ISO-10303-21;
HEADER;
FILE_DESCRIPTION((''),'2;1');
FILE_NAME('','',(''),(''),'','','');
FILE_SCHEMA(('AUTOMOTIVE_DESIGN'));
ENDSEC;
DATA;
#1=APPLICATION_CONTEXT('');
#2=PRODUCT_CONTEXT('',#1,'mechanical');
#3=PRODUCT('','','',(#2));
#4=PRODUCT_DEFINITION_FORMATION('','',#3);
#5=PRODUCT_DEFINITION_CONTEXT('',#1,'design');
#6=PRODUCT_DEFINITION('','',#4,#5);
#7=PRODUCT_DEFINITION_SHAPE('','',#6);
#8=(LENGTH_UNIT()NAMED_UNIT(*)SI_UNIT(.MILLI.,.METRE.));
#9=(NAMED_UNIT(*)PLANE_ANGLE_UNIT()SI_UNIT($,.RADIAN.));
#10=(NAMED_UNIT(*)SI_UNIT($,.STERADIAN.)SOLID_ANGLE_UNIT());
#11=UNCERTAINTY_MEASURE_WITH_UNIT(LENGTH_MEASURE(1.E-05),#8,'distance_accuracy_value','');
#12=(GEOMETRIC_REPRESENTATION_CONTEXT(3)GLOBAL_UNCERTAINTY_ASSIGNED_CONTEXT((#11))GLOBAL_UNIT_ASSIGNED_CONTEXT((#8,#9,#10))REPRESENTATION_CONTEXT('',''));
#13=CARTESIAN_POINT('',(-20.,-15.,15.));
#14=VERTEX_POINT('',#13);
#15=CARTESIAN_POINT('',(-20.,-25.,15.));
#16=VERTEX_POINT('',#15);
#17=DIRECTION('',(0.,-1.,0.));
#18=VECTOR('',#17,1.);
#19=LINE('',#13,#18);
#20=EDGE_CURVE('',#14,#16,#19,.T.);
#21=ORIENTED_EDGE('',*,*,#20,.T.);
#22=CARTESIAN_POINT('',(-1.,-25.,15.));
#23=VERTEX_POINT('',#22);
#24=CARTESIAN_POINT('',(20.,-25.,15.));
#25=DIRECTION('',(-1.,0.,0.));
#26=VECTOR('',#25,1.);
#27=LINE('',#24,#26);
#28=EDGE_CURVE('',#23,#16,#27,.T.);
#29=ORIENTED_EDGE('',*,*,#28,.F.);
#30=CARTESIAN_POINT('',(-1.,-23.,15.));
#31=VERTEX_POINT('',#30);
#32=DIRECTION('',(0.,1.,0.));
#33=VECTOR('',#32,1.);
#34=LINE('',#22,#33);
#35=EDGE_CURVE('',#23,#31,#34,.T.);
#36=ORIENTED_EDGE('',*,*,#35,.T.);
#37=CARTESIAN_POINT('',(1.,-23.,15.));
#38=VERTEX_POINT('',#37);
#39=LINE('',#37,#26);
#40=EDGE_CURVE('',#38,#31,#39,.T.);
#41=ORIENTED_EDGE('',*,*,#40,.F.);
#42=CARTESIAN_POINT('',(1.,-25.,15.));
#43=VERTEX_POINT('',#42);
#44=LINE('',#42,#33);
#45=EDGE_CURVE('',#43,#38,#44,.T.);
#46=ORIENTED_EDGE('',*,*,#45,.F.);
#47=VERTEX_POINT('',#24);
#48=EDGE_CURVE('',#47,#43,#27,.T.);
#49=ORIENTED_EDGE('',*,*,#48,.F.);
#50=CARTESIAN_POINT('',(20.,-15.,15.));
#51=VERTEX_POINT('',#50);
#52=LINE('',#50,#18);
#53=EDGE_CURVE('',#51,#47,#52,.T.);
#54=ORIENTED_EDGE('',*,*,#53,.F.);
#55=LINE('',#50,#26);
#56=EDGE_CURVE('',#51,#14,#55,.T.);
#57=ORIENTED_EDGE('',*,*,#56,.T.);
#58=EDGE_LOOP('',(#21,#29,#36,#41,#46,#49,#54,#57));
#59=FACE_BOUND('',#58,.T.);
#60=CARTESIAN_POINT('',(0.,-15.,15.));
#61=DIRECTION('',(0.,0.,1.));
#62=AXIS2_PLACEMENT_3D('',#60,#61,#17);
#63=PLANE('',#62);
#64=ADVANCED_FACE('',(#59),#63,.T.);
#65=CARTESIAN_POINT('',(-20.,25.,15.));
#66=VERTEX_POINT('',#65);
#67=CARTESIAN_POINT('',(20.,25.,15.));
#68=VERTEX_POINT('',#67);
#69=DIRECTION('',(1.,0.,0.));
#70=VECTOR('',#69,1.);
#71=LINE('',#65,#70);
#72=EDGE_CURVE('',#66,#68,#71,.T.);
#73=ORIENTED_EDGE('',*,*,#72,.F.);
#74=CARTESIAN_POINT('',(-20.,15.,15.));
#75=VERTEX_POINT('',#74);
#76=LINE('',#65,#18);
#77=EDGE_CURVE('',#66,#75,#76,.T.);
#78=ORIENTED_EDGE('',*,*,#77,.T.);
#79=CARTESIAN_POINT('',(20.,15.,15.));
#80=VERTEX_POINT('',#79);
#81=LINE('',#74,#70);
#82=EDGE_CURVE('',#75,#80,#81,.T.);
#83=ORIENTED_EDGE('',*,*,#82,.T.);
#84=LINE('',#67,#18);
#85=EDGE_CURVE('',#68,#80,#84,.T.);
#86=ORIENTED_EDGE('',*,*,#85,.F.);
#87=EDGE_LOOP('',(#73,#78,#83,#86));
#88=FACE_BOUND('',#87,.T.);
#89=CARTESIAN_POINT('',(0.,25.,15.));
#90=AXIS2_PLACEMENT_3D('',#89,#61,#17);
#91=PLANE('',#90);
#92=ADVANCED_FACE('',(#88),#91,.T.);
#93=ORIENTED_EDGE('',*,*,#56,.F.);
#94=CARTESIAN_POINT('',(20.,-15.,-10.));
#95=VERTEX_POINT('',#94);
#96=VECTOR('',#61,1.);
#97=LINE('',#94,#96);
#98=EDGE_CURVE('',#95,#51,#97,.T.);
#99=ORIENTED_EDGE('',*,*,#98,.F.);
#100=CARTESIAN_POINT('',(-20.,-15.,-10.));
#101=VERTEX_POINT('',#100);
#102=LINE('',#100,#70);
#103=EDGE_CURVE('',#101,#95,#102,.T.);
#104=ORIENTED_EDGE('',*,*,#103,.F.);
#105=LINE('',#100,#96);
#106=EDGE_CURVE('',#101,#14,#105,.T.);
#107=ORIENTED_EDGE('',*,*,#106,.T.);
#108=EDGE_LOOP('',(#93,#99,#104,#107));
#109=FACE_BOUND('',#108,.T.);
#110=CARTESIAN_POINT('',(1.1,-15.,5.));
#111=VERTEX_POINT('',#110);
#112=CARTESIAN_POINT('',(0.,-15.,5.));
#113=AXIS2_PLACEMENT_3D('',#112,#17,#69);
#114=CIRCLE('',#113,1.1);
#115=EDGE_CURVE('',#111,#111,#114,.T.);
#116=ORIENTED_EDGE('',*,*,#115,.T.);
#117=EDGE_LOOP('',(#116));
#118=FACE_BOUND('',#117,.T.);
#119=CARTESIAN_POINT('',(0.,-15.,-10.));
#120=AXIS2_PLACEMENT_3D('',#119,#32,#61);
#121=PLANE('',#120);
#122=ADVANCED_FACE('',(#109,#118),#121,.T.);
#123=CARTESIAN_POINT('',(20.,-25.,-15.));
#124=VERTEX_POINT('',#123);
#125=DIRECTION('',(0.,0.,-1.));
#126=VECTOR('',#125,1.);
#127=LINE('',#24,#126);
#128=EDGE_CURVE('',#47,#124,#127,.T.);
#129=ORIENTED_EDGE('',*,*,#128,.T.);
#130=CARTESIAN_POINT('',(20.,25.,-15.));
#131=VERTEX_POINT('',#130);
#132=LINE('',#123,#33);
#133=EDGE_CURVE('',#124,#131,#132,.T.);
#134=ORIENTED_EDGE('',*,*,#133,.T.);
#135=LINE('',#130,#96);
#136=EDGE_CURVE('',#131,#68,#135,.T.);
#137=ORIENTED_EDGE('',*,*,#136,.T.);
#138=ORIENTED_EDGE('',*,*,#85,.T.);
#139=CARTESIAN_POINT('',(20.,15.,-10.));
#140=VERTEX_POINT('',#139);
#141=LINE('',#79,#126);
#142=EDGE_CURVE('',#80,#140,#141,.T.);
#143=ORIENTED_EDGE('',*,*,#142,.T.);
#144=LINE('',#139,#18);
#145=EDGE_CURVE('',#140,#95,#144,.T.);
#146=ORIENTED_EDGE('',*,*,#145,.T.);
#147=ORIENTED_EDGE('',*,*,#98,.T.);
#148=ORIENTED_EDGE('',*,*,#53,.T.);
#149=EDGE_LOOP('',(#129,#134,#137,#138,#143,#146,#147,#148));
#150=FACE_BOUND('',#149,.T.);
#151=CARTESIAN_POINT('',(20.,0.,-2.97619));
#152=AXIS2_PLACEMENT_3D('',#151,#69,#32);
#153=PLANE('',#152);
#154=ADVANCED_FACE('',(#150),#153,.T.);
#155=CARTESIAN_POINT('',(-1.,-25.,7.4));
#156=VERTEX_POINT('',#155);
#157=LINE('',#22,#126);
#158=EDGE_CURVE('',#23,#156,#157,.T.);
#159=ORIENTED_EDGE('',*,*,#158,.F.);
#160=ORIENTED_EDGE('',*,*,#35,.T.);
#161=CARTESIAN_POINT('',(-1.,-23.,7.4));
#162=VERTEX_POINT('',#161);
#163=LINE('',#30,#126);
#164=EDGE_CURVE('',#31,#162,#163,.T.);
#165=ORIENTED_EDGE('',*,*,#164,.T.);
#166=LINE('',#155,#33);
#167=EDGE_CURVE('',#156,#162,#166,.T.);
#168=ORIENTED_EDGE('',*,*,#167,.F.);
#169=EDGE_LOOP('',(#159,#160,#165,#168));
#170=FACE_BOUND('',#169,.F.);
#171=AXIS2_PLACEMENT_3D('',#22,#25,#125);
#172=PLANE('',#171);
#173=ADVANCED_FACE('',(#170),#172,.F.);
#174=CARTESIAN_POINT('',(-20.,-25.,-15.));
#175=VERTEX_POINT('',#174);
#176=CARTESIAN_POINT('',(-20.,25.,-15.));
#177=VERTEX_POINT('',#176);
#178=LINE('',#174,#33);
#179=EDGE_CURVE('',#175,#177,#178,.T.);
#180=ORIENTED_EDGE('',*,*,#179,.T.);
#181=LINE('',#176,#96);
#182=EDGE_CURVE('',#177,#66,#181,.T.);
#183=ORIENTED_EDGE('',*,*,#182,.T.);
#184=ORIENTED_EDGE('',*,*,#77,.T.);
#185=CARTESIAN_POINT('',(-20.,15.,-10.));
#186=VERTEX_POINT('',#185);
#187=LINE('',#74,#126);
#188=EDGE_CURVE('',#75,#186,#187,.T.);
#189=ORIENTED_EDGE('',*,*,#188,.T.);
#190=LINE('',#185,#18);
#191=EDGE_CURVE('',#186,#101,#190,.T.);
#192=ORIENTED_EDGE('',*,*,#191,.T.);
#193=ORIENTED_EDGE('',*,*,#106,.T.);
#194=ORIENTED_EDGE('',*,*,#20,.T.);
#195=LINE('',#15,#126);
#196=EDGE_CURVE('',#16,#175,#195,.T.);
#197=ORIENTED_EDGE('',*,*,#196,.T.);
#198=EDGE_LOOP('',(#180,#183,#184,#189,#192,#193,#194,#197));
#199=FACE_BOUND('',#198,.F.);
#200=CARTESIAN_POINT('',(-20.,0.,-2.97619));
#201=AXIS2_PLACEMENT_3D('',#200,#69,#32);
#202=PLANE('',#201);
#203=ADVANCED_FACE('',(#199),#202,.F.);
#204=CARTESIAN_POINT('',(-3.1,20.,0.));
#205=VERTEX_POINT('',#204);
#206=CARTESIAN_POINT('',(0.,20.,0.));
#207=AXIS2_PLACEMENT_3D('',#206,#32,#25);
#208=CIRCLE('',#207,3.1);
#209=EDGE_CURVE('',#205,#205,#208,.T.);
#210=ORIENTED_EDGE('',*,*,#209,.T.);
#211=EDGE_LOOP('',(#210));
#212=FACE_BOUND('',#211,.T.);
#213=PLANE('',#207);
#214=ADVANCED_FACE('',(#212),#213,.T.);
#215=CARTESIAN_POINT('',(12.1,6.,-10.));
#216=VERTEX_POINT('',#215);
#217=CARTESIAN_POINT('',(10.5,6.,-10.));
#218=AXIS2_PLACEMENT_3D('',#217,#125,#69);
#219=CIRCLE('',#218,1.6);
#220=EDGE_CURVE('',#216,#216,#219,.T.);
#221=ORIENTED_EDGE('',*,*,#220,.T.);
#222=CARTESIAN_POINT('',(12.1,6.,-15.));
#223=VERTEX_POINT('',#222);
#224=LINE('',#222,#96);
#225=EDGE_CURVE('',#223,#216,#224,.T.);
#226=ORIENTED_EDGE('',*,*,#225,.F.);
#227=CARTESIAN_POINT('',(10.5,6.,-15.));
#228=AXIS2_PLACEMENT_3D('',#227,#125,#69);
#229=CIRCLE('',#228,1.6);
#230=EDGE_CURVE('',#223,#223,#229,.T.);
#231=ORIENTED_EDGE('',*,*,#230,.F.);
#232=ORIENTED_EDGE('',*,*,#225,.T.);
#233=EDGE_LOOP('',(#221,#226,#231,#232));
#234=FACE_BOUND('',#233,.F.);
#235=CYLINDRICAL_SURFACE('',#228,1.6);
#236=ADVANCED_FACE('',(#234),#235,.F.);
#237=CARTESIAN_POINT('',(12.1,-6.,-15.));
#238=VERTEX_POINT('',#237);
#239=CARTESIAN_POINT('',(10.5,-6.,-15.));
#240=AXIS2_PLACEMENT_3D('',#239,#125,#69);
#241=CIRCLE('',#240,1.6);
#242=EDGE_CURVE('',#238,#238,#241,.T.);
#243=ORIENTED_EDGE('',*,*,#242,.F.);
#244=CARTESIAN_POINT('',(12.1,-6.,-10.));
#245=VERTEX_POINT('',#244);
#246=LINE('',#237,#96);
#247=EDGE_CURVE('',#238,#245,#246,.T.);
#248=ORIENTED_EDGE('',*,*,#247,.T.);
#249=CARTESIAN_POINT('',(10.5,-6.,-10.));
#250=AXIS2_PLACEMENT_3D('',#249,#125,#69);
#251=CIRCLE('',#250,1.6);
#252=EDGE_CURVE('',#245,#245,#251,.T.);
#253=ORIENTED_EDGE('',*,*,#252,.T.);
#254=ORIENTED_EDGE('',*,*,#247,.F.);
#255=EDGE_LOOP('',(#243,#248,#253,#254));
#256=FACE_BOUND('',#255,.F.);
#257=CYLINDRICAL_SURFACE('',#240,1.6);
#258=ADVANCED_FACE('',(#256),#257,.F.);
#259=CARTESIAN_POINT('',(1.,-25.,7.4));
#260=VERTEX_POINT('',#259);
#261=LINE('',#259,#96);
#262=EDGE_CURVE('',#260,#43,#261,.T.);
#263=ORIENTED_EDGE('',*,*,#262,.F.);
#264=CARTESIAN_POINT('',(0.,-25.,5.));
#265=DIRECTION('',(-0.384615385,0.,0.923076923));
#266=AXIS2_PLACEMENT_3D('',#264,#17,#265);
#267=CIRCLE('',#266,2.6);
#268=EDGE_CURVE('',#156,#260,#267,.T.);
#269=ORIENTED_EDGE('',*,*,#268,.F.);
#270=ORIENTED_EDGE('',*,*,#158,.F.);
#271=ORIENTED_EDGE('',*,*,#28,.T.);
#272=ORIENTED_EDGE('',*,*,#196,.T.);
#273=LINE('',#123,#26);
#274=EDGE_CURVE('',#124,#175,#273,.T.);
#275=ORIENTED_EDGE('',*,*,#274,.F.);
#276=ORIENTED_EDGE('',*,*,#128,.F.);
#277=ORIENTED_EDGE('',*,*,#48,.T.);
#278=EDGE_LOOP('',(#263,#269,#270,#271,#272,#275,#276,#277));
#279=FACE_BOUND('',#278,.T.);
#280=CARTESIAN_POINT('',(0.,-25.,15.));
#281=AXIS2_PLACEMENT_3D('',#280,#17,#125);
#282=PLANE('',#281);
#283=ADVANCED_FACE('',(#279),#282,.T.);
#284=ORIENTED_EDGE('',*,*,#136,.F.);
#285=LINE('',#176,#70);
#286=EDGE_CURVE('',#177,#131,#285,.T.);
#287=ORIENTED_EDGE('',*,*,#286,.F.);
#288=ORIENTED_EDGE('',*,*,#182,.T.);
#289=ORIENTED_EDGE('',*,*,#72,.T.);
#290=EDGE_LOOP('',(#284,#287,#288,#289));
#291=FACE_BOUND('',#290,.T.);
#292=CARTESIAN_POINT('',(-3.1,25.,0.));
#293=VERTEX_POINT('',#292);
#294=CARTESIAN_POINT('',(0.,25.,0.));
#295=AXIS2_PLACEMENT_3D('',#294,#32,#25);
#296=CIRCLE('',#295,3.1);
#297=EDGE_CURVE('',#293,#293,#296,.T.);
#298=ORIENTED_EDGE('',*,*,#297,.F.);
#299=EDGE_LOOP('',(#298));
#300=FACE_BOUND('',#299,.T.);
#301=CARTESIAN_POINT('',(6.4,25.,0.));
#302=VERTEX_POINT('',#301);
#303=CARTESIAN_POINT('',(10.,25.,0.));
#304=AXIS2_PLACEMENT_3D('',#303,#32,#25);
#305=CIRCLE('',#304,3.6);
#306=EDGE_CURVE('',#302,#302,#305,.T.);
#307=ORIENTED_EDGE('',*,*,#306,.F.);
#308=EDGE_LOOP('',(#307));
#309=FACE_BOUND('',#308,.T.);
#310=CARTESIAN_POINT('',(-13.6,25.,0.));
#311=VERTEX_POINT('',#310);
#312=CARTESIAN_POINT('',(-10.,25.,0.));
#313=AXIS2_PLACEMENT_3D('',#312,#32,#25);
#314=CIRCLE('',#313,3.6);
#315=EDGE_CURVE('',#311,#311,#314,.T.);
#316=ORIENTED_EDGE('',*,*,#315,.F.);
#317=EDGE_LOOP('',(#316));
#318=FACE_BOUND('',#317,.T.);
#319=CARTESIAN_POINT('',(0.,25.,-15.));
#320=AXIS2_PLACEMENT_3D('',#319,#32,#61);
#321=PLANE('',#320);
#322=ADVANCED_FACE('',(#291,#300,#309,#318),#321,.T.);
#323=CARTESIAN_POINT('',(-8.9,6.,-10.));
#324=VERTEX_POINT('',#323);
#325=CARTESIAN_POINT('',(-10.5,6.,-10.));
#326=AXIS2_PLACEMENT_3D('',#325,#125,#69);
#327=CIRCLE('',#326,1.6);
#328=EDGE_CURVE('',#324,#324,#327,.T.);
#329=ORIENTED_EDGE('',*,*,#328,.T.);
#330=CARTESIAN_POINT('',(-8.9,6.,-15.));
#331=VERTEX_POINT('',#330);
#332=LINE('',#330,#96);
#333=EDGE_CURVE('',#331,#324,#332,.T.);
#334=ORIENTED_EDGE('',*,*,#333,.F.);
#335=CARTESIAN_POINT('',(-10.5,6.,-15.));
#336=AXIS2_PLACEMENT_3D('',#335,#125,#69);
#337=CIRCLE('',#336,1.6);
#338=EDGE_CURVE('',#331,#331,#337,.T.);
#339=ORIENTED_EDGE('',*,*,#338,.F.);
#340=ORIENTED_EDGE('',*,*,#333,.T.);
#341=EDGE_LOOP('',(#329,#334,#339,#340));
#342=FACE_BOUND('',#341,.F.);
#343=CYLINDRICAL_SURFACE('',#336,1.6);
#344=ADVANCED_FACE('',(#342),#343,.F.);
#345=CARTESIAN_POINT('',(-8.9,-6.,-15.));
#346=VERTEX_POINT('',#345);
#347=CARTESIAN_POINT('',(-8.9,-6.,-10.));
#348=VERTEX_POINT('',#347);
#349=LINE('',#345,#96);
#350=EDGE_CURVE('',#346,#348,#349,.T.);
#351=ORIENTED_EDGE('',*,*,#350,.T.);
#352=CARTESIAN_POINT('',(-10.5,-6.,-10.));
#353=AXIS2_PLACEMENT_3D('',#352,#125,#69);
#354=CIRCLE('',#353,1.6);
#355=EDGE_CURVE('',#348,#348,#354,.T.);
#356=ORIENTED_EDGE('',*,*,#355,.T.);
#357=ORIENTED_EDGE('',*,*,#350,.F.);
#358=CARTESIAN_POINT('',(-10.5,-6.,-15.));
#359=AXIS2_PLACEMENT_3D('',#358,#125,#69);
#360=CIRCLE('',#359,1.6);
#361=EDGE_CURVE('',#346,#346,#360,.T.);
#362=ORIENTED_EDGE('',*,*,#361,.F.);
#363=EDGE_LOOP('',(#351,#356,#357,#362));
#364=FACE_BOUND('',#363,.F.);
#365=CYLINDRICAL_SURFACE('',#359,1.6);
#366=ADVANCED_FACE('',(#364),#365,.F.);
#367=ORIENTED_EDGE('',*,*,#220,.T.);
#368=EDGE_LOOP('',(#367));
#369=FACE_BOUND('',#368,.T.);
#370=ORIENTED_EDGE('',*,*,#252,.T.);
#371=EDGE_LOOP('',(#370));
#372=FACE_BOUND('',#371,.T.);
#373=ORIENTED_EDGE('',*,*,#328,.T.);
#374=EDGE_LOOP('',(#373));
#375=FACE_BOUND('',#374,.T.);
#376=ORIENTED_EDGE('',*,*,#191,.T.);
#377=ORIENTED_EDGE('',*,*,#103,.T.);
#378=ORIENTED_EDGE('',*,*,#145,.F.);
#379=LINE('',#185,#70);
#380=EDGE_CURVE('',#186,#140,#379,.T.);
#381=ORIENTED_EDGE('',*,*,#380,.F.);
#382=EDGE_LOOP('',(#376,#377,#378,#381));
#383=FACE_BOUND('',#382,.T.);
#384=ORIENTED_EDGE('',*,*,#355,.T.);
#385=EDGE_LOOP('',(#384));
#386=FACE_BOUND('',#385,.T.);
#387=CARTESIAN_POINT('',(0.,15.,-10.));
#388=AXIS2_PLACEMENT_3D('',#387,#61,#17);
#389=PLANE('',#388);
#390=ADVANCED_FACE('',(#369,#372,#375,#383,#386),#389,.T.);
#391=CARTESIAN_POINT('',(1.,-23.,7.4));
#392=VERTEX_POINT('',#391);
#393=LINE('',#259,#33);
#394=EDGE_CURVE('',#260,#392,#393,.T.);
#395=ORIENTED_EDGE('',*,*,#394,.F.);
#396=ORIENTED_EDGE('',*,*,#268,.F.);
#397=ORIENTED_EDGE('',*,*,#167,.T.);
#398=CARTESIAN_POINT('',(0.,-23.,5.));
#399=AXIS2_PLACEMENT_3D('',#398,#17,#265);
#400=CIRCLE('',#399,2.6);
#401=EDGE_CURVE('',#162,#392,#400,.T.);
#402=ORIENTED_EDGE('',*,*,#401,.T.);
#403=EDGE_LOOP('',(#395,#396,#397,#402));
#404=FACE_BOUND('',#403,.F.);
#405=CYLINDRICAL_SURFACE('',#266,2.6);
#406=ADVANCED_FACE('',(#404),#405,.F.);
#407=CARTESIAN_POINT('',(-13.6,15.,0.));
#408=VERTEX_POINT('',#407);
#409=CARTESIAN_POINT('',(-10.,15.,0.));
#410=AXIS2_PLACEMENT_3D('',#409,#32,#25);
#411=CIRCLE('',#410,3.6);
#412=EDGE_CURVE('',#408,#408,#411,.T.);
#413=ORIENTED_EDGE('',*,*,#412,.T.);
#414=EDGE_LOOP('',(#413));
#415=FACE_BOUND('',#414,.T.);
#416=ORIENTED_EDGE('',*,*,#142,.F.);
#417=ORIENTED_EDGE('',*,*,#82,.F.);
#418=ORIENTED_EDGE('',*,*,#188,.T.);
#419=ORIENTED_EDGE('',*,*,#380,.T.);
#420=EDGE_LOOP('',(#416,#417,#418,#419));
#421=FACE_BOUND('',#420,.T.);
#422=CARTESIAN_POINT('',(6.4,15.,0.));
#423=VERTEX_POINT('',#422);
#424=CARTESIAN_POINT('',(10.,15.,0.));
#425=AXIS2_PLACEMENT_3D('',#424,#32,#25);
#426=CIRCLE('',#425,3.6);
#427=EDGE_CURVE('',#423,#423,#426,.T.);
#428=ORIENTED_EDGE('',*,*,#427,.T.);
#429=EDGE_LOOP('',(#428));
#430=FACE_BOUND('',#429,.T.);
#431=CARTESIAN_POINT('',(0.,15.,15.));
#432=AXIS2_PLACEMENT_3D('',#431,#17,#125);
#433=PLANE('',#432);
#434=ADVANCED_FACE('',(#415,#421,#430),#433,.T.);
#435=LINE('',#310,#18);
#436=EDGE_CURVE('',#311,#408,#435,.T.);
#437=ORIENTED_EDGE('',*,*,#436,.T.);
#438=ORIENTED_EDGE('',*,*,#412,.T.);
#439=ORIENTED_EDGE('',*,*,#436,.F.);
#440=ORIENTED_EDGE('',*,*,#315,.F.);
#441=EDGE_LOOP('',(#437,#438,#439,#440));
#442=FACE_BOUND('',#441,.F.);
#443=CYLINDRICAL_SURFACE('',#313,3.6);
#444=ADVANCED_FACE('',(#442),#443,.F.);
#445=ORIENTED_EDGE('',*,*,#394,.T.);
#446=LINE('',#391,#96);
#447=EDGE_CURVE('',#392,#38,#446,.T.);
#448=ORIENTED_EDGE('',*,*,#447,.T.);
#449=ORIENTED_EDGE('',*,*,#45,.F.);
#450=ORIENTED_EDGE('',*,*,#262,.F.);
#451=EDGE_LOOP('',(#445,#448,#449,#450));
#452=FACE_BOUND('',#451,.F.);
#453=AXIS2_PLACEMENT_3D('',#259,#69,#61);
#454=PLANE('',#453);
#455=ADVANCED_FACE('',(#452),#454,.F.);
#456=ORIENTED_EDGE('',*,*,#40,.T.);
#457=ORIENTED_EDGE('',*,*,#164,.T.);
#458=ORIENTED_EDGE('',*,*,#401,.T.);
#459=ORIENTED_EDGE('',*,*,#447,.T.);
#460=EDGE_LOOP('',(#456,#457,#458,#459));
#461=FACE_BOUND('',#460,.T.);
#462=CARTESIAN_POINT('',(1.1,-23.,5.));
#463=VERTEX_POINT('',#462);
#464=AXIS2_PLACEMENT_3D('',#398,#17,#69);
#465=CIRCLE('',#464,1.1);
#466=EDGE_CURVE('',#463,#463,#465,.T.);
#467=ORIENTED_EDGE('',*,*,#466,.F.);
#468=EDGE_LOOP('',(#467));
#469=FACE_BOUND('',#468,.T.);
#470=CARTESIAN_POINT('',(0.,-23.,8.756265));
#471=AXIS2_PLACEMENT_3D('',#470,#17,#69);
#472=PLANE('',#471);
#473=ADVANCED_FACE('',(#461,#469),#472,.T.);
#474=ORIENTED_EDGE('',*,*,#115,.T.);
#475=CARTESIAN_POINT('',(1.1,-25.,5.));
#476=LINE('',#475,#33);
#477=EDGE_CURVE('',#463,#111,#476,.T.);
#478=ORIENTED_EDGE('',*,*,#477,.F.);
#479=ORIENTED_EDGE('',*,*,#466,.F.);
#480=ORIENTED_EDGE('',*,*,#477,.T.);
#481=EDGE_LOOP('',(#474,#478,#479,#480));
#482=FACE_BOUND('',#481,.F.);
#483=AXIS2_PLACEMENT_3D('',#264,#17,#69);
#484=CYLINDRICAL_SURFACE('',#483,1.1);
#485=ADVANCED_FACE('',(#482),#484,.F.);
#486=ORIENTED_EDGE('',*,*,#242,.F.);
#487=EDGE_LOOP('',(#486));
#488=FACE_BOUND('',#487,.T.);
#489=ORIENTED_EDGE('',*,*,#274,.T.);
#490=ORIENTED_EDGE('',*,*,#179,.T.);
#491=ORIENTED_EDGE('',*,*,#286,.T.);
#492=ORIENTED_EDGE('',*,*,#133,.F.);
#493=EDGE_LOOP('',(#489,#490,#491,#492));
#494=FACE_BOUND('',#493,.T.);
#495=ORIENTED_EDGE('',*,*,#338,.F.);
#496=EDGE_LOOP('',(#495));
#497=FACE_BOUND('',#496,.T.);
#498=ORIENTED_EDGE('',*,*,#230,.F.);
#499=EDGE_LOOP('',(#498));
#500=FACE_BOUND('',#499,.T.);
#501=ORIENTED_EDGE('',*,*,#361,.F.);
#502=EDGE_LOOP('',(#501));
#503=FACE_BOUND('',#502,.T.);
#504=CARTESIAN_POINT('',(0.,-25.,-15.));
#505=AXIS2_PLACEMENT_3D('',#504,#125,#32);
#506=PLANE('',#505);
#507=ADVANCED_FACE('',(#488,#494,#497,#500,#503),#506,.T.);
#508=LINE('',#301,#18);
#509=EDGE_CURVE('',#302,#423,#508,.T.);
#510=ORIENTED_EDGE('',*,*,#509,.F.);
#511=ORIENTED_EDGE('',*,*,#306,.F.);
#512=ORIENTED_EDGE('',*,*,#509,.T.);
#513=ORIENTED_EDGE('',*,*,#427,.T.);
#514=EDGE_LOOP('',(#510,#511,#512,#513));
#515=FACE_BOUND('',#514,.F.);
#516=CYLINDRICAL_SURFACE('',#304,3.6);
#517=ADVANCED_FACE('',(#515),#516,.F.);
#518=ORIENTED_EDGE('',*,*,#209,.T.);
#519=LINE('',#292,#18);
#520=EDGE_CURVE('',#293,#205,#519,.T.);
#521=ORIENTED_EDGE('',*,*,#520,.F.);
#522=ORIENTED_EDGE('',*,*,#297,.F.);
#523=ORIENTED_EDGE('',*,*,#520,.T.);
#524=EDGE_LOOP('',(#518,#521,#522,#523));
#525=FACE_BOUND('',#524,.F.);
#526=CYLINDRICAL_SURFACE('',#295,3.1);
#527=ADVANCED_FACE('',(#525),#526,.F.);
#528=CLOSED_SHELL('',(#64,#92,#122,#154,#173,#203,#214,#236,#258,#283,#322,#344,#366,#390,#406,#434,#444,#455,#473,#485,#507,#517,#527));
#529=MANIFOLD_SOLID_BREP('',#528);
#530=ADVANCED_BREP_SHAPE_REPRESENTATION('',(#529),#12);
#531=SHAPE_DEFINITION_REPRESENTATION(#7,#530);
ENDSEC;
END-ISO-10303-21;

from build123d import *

# Parameters (mm, degrees)
F1_DEPTH = 20
F2_R     = 1.6
F3_DEPTH = 25
F4_R     = 1.1
F5_DEPTH = 25
F6_DEPTH = 2
F7_R     = 3.6
F8_DEPTH = 25
F7_R_2   = 3.1
F9_DEPTH = 5


with BuildPart() as f1:
    # F0 (on Right) → F1 (new body, symmetric)
    with BuildSketch(Plane.YZ):
        Polygon((-25, -15), (25, -15), (25, 15), (15, 15), (15, -10), (-15, -10), (-15, 15), (-25, 15), align=None)
    extrude(amount=F1_DEPTH, both=True)

    # F2 (on face) → F3 (cut)
    with BuildSketch(Plane(origin=(0, 0, -15), x_dir=(1, 0, 0), z_dir=(0, 0, -1))):
        with Locations((10.5, 6)):
            Circle(F2_R)
        with Locations((10.5, -6)):
            Circle(F2_R)
        with Locations((-10.5, 6)):
            Circle(F2_R)
        with Locations((-10.5, -6)):
            Circle(F2_R)
    extrude(amount=-F3_DEPTH, mode=Mode.SUBTRACT)

    # F4 (on face) → F5 (cut)
    with BuildSketch(Plane.XZ.offset(25)):
        with Locations((0, 5)):
            Circle(F4_R)
    extrude(amount=-F5_DEPTH, mode=Mode.SUBTRACT)

    # F4 (on face) → F6 (cut)
    with BuildSketch(Plane.XZ.offset(25)):
        with BuildLine():
            Line((-1, 15), (-1, 7.4))
            ThreePointArc((-1, 7.4), (0, 2.4), (1, 7.4))
            Line((1, 7.4), (1, 15))
            Line((1, 15), (-1, 15))
        make_face()
        with Locations((0, 5)):
            Circle(F4_R, mode=Mode.SUBTRACT)
    extrude(amount=-F6_DEPTH, mode=Mode.SUBTRACT)

    # F7 (on face) → F8 (cut)
    with BuildSketch(Plane(origin=(0, 25, 0), x_dir=(-1, 0, 0), z_dir=(0, 1, 0))):
        with Locations((-10, 0)):
            Circle(F7_R)
        with Locations((10, 0)):
            Circle(F7_R)
    extrude(amount=-F8_DEPTH, mode=Mode.SUBTRACT)

    # F7 (on face) → F9 (cut)
    with BuildSketch(Plane(origin=(0, 25, 0), x_dir=(-1, 0, 0), z_dir=(0, 1, 0))):
        Circle(F7_R_2)
    extrude(amount=-F9_DEPTH, mode=Mode.SUBTRACT)


solid = f1.part
